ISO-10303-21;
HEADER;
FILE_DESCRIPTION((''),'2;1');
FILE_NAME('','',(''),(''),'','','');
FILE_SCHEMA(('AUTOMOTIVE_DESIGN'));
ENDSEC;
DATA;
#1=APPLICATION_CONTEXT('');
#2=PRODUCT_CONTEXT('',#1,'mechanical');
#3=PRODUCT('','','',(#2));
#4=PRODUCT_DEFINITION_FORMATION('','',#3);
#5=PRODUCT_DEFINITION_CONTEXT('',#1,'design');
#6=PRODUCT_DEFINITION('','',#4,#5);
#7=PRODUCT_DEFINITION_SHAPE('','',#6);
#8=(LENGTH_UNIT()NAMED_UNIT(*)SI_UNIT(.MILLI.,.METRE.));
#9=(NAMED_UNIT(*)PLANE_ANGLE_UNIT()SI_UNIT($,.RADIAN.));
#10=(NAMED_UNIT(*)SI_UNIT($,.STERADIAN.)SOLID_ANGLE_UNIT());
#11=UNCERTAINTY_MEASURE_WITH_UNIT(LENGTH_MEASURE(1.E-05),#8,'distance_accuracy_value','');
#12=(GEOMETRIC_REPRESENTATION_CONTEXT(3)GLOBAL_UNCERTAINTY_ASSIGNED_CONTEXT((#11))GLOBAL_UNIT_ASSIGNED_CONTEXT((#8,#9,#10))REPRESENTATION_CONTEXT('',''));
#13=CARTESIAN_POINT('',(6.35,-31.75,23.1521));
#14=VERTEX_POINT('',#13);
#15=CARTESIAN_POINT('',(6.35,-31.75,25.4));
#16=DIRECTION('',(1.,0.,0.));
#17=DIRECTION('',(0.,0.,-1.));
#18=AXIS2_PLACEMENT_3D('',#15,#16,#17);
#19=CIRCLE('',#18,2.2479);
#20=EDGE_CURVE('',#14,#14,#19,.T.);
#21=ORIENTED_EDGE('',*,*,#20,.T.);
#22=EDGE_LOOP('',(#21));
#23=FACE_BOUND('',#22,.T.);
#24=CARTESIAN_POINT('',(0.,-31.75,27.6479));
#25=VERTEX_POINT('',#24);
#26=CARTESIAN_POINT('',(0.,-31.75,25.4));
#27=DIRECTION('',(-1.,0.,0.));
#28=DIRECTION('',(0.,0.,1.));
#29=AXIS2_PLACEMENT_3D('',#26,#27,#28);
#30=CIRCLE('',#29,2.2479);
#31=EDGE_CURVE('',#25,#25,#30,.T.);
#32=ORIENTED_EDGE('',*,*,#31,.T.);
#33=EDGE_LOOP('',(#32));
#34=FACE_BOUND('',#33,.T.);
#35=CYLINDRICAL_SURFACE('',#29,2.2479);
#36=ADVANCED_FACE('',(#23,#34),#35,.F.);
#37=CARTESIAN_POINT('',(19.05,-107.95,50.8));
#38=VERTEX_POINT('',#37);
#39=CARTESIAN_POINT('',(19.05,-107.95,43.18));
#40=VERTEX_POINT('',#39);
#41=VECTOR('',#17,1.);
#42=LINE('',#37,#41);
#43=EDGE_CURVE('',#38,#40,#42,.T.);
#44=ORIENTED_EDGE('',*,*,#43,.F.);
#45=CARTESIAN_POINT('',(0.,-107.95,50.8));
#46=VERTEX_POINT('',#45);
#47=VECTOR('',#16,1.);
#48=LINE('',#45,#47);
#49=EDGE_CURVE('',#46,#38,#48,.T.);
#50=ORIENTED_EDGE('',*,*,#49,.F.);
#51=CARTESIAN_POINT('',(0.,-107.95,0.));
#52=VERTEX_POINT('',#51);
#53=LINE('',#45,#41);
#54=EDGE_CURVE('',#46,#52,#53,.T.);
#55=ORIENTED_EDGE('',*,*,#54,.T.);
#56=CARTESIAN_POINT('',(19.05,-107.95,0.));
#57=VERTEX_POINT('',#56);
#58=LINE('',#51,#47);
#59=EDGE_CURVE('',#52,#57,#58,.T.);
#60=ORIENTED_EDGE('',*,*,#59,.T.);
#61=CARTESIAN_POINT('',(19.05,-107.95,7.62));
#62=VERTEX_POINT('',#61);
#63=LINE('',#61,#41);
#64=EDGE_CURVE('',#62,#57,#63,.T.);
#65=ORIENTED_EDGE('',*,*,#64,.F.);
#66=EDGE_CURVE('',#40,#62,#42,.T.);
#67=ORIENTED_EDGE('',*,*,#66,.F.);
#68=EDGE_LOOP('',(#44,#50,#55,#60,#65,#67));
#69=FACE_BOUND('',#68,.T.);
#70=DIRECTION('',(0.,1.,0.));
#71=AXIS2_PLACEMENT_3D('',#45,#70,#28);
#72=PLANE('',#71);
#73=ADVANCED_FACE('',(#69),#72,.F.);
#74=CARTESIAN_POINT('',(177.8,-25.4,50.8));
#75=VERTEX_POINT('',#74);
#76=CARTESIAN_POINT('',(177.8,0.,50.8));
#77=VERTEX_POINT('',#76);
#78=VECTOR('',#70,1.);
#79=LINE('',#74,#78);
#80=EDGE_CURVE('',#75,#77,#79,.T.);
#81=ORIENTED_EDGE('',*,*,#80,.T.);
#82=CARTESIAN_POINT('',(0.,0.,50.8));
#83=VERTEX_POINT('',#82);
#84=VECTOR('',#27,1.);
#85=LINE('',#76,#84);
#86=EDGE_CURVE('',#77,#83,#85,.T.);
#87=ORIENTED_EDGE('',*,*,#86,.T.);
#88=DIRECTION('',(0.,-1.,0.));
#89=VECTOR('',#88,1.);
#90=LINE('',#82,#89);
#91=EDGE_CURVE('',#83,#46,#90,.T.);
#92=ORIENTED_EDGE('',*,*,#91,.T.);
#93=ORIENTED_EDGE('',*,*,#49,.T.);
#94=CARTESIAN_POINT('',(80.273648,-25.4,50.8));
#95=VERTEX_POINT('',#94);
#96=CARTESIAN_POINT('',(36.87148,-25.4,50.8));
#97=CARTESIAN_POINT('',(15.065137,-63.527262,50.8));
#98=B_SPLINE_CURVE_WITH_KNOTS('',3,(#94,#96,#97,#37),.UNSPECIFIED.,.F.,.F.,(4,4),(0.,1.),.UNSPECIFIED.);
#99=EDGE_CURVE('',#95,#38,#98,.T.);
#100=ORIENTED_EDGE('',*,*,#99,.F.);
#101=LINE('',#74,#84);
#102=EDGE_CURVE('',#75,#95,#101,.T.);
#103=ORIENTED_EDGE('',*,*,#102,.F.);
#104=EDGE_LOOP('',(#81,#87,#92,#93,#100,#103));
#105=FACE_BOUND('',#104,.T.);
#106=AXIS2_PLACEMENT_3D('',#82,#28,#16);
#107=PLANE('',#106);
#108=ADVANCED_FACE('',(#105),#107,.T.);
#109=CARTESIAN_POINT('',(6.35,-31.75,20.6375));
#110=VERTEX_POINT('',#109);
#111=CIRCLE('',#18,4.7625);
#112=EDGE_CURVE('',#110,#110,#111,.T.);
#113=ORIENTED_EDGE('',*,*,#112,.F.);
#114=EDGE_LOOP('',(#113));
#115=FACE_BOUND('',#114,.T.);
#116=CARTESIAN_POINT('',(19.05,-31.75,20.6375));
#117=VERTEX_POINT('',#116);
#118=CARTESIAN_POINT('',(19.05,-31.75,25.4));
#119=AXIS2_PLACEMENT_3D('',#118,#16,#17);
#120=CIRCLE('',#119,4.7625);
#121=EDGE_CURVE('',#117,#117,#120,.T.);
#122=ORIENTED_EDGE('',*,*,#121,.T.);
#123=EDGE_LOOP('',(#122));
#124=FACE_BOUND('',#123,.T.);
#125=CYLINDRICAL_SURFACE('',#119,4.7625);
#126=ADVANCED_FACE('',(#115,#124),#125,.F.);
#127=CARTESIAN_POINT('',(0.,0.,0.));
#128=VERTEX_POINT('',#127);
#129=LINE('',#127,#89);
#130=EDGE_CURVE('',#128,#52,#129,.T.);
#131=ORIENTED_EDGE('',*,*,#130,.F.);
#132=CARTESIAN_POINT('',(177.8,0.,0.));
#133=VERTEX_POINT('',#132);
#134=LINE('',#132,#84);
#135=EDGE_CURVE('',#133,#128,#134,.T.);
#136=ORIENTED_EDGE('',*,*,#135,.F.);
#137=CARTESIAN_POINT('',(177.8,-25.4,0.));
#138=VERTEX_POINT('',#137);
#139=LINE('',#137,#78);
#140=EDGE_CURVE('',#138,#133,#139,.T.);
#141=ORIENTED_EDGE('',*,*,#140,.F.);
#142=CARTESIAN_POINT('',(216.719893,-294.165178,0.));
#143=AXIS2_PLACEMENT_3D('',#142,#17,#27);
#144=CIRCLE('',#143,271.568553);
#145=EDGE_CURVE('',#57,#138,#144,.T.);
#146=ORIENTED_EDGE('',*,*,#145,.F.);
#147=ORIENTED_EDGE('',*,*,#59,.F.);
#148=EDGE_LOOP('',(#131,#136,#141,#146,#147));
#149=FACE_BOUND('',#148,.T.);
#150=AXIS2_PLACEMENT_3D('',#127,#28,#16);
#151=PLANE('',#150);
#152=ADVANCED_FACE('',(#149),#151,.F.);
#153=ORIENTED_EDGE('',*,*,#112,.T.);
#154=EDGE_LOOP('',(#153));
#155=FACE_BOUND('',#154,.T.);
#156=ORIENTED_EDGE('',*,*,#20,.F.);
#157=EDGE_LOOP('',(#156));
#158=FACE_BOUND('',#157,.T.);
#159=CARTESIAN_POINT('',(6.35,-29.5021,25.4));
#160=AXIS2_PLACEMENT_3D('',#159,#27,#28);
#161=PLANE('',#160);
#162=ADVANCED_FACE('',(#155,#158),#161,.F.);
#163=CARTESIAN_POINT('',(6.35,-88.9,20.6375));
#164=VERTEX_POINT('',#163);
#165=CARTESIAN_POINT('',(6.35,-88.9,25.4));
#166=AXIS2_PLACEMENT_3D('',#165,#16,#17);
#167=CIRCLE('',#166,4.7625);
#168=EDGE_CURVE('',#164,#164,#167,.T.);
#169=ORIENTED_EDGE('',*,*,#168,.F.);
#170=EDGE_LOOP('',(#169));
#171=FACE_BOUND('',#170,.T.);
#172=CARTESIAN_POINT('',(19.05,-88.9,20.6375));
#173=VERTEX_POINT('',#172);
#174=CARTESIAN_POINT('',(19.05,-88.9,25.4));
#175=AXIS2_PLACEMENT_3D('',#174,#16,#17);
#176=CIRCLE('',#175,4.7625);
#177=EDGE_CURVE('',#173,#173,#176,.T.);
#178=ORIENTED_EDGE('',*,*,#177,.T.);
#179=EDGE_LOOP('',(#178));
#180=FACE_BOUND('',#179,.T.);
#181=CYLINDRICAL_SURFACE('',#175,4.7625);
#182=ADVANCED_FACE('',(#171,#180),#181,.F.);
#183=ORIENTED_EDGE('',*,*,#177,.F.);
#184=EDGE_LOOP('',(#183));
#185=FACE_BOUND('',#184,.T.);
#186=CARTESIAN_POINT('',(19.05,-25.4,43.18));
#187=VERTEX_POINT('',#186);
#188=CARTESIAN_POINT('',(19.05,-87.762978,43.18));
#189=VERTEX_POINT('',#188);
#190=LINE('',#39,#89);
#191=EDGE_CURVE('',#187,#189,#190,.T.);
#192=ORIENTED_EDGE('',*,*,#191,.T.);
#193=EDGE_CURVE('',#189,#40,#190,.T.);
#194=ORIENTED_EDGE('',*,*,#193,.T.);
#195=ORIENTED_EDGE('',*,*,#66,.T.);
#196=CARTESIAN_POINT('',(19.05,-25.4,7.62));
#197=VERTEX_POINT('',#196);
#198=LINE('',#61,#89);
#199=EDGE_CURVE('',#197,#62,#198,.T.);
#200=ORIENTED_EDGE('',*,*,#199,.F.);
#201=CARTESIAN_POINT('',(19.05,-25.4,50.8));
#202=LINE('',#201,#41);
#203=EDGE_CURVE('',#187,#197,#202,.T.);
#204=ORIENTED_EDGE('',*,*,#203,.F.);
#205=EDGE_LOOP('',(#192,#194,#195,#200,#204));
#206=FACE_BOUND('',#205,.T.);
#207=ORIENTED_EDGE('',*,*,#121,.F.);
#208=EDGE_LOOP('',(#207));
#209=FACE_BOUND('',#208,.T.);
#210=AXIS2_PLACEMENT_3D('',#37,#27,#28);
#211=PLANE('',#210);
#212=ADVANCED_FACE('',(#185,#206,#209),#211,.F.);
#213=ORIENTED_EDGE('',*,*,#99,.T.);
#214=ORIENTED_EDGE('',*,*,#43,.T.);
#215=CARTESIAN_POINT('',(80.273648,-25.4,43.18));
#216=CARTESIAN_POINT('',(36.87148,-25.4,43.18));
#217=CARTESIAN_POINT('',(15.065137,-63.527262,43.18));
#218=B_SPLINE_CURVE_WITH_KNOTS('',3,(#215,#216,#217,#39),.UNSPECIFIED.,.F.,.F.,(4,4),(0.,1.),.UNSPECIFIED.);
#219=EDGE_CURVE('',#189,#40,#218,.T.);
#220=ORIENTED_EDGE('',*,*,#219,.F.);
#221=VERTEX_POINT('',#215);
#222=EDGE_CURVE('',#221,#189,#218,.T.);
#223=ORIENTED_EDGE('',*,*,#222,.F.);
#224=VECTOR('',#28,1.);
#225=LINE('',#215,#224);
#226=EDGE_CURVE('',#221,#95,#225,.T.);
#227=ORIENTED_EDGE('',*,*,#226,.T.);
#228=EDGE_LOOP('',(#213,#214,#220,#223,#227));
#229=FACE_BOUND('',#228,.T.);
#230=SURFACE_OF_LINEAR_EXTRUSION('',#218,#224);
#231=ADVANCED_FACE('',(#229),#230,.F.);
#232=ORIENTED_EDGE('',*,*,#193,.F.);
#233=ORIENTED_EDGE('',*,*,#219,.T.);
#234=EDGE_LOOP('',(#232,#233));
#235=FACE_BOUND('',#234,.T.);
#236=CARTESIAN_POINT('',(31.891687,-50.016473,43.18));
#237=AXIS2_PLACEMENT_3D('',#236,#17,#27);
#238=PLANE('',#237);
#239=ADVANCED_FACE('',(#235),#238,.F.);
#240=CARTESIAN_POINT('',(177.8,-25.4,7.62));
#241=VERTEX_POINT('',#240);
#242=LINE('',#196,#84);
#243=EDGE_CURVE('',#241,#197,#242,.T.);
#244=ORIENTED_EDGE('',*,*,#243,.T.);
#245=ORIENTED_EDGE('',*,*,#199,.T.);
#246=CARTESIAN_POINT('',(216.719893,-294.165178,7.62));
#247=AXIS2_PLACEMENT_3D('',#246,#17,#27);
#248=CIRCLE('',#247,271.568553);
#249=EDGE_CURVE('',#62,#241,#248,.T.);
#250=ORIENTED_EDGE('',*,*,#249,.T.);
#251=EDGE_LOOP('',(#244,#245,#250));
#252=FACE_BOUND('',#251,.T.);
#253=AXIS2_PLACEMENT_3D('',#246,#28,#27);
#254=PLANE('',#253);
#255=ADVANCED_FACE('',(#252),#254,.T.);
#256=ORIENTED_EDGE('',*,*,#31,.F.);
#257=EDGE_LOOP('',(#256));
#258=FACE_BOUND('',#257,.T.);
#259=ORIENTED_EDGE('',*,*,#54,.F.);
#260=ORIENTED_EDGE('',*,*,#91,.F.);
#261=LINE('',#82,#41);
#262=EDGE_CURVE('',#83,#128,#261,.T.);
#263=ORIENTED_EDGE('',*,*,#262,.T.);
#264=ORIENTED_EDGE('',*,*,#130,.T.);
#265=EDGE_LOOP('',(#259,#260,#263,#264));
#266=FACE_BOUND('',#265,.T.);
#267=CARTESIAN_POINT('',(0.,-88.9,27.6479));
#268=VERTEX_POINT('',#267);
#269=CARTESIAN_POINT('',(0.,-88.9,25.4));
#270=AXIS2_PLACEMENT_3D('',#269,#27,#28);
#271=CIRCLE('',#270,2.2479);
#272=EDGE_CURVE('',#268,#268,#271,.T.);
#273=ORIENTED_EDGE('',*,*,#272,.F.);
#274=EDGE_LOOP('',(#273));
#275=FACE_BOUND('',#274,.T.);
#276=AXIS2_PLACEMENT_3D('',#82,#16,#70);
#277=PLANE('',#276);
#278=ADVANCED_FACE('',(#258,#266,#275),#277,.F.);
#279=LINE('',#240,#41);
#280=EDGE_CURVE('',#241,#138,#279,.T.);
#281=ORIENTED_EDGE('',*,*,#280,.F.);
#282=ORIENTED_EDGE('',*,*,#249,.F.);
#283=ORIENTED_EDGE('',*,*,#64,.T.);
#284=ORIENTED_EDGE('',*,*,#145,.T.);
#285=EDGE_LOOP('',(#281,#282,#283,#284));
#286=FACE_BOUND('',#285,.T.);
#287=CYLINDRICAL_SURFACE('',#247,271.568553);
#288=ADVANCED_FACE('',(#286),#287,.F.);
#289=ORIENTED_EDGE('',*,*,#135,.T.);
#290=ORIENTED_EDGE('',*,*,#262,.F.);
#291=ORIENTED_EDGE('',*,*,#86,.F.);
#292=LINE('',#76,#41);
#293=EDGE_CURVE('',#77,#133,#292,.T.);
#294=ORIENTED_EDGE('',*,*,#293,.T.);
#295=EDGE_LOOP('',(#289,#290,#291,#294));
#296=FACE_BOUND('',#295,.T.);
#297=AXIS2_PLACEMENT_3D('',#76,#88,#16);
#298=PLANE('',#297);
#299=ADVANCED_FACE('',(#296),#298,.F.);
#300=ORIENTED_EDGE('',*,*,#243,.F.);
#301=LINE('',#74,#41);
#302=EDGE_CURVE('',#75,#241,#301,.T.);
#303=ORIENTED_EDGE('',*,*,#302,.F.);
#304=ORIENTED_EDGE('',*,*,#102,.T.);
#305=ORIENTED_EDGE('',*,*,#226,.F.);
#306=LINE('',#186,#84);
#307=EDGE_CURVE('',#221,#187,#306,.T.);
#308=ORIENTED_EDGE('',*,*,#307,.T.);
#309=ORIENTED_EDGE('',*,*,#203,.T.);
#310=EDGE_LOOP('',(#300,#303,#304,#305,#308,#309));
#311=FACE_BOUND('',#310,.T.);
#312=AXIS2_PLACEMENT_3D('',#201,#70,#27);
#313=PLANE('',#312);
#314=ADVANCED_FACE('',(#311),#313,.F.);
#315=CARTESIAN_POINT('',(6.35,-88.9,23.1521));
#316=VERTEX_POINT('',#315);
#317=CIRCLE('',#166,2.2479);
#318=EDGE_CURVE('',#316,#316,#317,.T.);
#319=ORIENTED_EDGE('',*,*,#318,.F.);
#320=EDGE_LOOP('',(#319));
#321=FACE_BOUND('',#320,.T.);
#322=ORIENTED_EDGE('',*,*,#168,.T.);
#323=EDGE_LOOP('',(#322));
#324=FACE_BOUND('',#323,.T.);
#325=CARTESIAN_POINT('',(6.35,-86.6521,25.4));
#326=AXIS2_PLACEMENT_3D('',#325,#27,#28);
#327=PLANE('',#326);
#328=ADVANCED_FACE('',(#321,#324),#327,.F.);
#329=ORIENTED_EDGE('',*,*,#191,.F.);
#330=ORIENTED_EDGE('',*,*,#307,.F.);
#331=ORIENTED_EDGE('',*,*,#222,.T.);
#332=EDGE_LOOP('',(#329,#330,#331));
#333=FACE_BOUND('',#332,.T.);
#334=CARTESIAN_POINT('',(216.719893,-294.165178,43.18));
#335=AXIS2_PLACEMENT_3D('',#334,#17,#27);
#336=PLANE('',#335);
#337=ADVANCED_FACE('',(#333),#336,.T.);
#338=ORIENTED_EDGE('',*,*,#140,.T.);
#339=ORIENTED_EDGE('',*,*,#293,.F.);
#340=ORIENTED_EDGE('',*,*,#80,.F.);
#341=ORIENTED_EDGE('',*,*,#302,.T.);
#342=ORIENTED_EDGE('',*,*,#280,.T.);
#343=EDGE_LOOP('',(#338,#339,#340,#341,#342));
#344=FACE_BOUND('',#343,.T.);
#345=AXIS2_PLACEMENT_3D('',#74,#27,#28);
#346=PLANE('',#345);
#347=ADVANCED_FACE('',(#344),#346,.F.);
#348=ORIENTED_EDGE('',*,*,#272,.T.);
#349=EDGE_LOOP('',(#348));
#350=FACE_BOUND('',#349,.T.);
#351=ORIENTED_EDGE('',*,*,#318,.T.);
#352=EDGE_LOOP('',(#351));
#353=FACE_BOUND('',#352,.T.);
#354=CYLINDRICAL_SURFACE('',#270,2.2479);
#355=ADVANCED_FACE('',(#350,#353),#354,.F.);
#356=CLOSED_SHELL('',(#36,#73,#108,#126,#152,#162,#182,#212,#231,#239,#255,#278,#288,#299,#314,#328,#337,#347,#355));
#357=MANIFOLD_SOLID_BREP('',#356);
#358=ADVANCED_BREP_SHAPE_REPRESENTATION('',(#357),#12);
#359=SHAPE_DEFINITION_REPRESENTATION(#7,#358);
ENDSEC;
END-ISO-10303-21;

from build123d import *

# Parameters (mm, degrees)
BOSS_EXTRUDE1_DEPTH                                 = 50.8
F_8_CLEARANCE_HOLE1_D                               = 4.4958
CBORE_FOR_8_BINDING_HEAD_MACHINE_SCREW1_D           = 4.4958
CBORE_FOR_8_BINDING_HEAD_MACHINE_SCREW1_CBORE_D     = 9.525
CBORE_FOR_8_BINDING_HEAD_MACHINE_SCREW1_CBORE_DEPTH = 12.7
BOSS_EXTRUDE2_DEPTH                                 = 7.62
CUT_EXTRUDE1_DEPTH                                  = 7.62


with BuildPart() as part:
    # Sketch1 → Boss-Extrude1 (new body)
    with BuildSketch(Plane.XY):
        Polygon((0, 0), (0, -107.95), (19.05, -107.95), (19.05, -25.4), (177.8, -25.4), (177.8, 0), align=None)
    extrude(amount=BOSS_EXTRUDE1_DEPTH)

    # #8 Clearance Hole1 (through all)
    with Locations(Plane.ZY):
        with Locations((25.4, -31.75), (25.4, -88.9)):
            Hole(F_8_CLEARANCE_HOLE1_D / 2)

    # CBORE for #8 Binding Head Machine Screw1 (through all)
    with Locations(Plane(origin=(19.05, 0, 0), x_dir=(0, 0, -1), z_dir=(1, 0, 0))):
        with Locations((-25.4, -31.75), (-25.4, -88.9)):
            CounterBoreHole(CBORE_FOR_8_BINDING_HEAD_MACHINE_SCREW1_D / 2, CBORE_FOR_8_BINDING_HEAD_MACHINE_SCREW1_CBORE_D / 2, CBORE_FOR_8_BINDING_HEAD_MACHINE_SCREW1_CBORE_DEPTH)

    # Sketch7 → Boss-Extrude2 (add)
    with BuildSketch(Plane.XY.offset(50.8)):
        with BuildLine():
            Line((19.05, -107.95), (19.05, -25.4))
            Line((19.05, -25.4), (177.8, -25.4))
            ThreePointArc((177.8, -25.4), (91.430997476, -53.224995146), (19.05, -107.95))
        make_face()
    boss_extrude2 = extrude(amount=-BOSS_EXTRUDE2_DEPTH)

    # Mirror1: Boss-Extrude2 across plane
    add(boss_extrude2.mirror(Plane(origin=(0, 0, 25.4), x_dir=(1, 0, 0), z_dir=(0, 0, -1))))

    # Sketch8 → Cut-Extrude1 (cut)
    with BuildSketch(Plane.XY.offset(50.8)):
        with BuildLine():
            Line((177.8, -25.4), (80.273648103, -25.4))
            add(Edge.make_bspline(
                [(80.273648103, -25.4), (36.871479527, -25.4), (15.065136677, -63.527261514), (19.05, -107.95)],
                knots=[0, 0, 0, 0, 1, 1, 1, 1], degree=3))
            Line((19.05, -107.95), (177.8, -25.4))
        make_face()
    extrude(amount=-CUT_EXTRUDE1_DEPTH, mode=Mode.SUBTRACT)


solid = part.part
